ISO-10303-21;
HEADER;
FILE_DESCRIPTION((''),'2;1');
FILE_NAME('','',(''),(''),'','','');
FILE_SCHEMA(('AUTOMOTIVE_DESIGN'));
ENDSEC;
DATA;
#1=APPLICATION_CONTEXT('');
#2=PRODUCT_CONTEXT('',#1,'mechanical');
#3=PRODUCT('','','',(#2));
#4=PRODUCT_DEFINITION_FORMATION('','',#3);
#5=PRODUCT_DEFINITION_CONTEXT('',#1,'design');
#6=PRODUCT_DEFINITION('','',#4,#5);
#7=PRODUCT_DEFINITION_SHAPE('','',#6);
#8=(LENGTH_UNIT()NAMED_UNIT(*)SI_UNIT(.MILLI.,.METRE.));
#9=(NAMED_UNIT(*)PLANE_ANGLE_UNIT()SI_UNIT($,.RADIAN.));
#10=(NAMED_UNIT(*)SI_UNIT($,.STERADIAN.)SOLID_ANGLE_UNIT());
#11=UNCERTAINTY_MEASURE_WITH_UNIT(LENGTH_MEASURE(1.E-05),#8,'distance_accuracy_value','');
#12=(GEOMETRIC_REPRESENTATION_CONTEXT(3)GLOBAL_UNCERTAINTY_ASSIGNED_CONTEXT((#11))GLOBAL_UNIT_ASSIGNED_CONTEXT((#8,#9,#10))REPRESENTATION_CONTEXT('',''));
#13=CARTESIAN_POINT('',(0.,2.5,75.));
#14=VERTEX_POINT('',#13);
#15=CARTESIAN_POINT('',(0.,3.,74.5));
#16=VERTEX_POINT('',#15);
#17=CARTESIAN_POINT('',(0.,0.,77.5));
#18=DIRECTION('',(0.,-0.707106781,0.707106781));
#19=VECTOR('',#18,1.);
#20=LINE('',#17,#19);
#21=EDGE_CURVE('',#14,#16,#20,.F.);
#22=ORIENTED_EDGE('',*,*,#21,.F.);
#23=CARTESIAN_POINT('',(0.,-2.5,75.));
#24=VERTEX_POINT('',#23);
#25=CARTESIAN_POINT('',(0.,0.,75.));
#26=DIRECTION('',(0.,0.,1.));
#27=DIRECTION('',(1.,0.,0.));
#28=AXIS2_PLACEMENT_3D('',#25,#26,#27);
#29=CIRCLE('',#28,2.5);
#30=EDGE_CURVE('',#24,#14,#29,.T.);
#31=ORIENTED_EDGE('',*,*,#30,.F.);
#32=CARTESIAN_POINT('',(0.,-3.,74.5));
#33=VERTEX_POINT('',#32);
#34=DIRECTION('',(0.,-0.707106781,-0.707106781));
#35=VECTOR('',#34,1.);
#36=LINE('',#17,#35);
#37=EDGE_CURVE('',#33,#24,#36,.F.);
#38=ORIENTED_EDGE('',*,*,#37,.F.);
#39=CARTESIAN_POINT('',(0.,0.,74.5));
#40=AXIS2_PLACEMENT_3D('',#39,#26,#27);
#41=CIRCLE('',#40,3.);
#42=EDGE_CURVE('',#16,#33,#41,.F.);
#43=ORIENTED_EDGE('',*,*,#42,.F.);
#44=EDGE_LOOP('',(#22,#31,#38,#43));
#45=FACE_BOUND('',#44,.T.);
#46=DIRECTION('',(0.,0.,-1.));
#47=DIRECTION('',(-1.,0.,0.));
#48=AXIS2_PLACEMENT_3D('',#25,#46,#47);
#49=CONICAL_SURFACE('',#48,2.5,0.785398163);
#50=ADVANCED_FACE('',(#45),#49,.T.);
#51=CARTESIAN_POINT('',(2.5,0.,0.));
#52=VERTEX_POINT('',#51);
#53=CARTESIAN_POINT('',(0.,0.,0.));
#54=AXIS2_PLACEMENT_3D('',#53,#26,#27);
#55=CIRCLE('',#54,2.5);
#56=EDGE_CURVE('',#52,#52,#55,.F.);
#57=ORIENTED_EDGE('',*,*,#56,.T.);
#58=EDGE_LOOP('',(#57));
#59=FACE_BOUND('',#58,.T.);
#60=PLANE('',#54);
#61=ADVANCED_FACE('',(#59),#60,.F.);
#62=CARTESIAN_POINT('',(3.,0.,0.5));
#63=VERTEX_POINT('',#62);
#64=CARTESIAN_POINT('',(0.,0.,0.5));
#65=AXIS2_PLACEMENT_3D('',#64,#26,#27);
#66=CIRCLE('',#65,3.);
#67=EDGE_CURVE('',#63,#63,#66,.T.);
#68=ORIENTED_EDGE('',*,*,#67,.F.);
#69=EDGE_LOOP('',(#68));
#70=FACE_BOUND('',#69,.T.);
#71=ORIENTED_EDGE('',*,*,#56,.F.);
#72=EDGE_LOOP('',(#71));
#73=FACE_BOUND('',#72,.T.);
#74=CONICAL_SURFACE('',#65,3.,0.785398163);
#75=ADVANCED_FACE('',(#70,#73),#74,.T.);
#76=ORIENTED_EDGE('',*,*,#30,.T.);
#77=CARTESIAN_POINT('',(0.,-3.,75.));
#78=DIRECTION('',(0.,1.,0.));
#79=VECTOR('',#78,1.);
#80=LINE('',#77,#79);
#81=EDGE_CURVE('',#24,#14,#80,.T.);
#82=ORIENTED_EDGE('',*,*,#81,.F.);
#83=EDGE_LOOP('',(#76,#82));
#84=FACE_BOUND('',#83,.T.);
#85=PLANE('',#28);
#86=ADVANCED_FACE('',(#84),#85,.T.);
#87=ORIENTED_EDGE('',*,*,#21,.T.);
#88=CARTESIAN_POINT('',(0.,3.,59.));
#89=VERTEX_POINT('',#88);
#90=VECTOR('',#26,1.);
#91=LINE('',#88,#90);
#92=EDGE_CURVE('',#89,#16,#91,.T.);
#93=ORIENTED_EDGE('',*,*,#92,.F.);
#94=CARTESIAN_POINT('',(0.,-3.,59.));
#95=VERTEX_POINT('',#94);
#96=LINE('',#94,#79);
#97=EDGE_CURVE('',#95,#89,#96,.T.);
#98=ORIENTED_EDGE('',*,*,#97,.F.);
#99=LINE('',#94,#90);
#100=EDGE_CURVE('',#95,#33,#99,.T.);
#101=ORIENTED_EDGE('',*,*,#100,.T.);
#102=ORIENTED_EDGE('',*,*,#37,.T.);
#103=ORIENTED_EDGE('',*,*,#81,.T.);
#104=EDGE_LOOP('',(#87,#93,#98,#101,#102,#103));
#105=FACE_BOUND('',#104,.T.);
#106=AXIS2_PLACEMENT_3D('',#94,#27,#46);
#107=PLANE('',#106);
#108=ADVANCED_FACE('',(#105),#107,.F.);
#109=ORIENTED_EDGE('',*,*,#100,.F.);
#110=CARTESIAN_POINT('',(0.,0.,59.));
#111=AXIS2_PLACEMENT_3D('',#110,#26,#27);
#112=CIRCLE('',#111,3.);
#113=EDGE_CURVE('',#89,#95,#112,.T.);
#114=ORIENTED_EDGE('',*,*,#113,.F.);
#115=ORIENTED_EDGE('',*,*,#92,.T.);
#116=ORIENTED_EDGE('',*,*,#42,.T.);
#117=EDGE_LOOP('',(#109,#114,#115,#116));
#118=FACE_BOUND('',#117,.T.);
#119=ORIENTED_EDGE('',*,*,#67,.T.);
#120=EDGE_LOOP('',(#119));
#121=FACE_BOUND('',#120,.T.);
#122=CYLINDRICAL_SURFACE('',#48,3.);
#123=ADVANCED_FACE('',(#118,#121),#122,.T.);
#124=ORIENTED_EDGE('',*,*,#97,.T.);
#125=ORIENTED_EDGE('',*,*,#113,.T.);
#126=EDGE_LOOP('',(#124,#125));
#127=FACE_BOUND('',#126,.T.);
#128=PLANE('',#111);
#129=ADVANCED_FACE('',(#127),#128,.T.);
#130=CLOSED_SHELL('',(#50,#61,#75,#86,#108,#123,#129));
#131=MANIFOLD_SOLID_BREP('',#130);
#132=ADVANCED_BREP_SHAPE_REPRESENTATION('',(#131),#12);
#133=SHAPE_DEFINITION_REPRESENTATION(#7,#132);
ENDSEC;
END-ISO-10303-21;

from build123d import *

# Parameters (mm, degrees)
SKETCH1_R           = 3
BOSS_EXTRUDE1_DEPTH = 75
CHAMFER1_SIZE       = 0.5
CUT_EXTRUDE2_START  = -16
CUT_EXTRUDE2_DEPTH  = 16


with BuildPart() as part:
    # Sketch1 → Boss-Extrude1 (new body)
    with BuildSketch(Plane.XY):
        Circle(SKETCH1_R)
    extrude(amount=BOSS_EXTRUDE1_DEPTH)

    # Chamfer1
    chamfer1_edges = [part.edges().sort_by_distance(p)[0] for p in [
        (-3, 0, 0),
        (-3, 0, 75),
    ]]
    chamfer(chamfer1_edges, length=CHAMFER1_SIZE)

    # Sketch2 → Cut-Extrude2 (cut)
    with BuildSketch(Plane.XY.offset(75).offset(CUT_EXTRUDE2_START)):
        with BuildLine():
            Line((0, -3), (0, 3))
            ThreePointArc((0, 3), (-3, 0), (0, -3))
        make_face()
    extrude(amount=CUT_EXTRUDE2_DEPTH, mode=Mode.SUBTRACT)


solid = part.part
